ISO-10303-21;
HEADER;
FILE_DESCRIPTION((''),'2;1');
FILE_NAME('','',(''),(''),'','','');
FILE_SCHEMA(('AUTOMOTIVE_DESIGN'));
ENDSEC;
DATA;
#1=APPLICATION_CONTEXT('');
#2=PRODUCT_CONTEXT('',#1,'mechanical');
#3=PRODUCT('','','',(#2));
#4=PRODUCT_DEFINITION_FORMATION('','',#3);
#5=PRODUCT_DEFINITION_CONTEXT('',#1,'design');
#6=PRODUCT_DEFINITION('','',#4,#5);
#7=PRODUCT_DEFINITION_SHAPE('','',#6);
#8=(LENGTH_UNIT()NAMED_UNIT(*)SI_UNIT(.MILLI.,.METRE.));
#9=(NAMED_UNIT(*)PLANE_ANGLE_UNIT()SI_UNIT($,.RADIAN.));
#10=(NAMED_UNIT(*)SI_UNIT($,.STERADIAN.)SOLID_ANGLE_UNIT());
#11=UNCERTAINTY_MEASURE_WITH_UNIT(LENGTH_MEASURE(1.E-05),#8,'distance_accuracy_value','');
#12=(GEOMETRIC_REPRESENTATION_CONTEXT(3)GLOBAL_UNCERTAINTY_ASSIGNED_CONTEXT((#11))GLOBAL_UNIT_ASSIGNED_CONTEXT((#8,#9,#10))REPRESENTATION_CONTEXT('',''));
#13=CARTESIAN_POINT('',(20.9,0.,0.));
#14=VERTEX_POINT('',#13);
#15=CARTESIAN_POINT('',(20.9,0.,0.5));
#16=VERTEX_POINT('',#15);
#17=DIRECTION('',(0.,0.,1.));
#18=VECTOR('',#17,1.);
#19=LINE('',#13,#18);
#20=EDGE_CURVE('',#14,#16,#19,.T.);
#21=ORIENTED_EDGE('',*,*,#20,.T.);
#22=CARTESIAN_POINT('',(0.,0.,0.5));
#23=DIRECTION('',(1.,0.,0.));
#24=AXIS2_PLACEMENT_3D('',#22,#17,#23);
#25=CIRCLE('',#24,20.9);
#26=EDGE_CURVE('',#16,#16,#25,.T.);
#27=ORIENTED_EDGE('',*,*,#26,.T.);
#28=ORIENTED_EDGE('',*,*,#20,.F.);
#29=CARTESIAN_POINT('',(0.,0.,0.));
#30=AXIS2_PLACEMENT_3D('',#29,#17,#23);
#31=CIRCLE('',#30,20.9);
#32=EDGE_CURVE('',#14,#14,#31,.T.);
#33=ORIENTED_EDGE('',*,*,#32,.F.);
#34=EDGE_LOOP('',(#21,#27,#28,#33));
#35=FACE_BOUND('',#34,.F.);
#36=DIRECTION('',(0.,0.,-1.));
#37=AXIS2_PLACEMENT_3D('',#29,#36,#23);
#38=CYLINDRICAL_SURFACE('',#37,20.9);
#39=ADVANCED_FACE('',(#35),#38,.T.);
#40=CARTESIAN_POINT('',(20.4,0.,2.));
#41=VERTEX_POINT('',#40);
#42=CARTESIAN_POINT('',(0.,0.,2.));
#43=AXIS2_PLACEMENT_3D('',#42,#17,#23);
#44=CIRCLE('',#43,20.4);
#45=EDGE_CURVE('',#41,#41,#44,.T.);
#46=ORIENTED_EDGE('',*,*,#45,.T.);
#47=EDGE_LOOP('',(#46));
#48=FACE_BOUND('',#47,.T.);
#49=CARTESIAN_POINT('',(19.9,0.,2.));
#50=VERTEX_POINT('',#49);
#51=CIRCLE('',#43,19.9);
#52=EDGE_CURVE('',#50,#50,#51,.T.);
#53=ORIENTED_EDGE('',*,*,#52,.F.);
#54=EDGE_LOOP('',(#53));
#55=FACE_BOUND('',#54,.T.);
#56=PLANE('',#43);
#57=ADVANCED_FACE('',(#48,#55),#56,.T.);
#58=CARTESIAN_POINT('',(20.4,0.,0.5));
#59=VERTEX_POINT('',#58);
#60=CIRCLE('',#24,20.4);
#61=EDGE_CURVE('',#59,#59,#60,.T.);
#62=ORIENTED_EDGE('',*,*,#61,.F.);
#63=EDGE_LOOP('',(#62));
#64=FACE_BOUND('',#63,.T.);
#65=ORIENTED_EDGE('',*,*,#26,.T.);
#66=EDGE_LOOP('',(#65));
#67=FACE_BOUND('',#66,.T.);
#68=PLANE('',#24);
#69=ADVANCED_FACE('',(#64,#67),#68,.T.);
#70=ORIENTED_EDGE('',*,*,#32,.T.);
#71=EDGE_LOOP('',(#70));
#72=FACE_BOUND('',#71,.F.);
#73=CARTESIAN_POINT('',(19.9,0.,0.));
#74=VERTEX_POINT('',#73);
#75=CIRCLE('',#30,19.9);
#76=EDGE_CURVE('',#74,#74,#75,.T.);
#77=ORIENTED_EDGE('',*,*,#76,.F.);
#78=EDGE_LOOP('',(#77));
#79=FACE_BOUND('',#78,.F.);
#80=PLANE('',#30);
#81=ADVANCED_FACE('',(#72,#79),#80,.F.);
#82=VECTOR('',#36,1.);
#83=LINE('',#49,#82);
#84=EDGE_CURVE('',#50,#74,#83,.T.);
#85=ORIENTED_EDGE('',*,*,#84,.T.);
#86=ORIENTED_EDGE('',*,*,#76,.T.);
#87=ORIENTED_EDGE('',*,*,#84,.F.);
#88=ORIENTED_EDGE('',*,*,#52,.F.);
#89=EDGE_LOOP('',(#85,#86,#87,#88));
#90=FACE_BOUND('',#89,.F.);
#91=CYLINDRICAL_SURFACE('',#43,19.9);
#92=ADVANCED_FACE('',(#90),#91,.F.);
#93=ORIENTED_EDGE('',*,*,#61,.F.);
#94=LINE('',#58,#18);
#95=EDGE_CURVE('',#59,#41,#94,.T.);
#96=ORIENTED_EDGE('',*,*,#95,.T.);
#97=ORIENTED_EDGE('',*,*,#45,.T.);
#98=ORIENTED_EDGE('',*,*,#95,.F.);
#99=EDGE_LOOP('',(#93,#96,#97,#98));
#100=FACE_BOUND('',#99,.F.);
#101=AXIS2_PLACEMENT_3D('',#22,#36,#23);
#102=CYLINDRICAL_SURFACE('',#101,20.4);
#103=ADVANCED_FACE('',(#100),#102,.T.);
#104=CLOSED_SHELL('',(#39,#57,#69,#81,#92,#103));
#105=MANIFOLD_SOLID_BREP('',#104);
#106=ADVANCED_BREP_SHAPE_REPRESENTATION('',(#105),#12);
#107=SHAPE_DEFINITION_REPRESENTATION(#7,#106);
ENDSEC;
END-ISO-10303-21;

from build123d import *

# Parameters (mm, degrees)
SKETCH_R     = 20.9
PAD_DEPTH    = 0.5
SKETCH001_R  = 20.4
PAD001_DEPTH = 1.5
SKETCH002_R  = 19.9
POCKET_DEPTH = 5


with BuildPart() as part:
    # Sketch → Pad (new body)
    with BuildSketch(Plane.XY):
        Circle(SKETCH_R)
    extrude(amount=PAD_DEPTH)

    # Sketch001 (on Face3 of Pad) → Pad001 (join)
    with BuildSketch(Plane.XY.offset(0.5)):
        Circle(SKETCH001_R)
    extrude(amount=PAD001_DEPTH)

    # Sketch002 (on Face5 of Pad001) → Pocket (cut)
    with BuildSketch(Plane.XY.offset(2)):
        Circle(SKETCH002_R)
    extrude(amount=-POCKET_DEPTH, mode=Mode.SUBTRACT)


solid = part.part
